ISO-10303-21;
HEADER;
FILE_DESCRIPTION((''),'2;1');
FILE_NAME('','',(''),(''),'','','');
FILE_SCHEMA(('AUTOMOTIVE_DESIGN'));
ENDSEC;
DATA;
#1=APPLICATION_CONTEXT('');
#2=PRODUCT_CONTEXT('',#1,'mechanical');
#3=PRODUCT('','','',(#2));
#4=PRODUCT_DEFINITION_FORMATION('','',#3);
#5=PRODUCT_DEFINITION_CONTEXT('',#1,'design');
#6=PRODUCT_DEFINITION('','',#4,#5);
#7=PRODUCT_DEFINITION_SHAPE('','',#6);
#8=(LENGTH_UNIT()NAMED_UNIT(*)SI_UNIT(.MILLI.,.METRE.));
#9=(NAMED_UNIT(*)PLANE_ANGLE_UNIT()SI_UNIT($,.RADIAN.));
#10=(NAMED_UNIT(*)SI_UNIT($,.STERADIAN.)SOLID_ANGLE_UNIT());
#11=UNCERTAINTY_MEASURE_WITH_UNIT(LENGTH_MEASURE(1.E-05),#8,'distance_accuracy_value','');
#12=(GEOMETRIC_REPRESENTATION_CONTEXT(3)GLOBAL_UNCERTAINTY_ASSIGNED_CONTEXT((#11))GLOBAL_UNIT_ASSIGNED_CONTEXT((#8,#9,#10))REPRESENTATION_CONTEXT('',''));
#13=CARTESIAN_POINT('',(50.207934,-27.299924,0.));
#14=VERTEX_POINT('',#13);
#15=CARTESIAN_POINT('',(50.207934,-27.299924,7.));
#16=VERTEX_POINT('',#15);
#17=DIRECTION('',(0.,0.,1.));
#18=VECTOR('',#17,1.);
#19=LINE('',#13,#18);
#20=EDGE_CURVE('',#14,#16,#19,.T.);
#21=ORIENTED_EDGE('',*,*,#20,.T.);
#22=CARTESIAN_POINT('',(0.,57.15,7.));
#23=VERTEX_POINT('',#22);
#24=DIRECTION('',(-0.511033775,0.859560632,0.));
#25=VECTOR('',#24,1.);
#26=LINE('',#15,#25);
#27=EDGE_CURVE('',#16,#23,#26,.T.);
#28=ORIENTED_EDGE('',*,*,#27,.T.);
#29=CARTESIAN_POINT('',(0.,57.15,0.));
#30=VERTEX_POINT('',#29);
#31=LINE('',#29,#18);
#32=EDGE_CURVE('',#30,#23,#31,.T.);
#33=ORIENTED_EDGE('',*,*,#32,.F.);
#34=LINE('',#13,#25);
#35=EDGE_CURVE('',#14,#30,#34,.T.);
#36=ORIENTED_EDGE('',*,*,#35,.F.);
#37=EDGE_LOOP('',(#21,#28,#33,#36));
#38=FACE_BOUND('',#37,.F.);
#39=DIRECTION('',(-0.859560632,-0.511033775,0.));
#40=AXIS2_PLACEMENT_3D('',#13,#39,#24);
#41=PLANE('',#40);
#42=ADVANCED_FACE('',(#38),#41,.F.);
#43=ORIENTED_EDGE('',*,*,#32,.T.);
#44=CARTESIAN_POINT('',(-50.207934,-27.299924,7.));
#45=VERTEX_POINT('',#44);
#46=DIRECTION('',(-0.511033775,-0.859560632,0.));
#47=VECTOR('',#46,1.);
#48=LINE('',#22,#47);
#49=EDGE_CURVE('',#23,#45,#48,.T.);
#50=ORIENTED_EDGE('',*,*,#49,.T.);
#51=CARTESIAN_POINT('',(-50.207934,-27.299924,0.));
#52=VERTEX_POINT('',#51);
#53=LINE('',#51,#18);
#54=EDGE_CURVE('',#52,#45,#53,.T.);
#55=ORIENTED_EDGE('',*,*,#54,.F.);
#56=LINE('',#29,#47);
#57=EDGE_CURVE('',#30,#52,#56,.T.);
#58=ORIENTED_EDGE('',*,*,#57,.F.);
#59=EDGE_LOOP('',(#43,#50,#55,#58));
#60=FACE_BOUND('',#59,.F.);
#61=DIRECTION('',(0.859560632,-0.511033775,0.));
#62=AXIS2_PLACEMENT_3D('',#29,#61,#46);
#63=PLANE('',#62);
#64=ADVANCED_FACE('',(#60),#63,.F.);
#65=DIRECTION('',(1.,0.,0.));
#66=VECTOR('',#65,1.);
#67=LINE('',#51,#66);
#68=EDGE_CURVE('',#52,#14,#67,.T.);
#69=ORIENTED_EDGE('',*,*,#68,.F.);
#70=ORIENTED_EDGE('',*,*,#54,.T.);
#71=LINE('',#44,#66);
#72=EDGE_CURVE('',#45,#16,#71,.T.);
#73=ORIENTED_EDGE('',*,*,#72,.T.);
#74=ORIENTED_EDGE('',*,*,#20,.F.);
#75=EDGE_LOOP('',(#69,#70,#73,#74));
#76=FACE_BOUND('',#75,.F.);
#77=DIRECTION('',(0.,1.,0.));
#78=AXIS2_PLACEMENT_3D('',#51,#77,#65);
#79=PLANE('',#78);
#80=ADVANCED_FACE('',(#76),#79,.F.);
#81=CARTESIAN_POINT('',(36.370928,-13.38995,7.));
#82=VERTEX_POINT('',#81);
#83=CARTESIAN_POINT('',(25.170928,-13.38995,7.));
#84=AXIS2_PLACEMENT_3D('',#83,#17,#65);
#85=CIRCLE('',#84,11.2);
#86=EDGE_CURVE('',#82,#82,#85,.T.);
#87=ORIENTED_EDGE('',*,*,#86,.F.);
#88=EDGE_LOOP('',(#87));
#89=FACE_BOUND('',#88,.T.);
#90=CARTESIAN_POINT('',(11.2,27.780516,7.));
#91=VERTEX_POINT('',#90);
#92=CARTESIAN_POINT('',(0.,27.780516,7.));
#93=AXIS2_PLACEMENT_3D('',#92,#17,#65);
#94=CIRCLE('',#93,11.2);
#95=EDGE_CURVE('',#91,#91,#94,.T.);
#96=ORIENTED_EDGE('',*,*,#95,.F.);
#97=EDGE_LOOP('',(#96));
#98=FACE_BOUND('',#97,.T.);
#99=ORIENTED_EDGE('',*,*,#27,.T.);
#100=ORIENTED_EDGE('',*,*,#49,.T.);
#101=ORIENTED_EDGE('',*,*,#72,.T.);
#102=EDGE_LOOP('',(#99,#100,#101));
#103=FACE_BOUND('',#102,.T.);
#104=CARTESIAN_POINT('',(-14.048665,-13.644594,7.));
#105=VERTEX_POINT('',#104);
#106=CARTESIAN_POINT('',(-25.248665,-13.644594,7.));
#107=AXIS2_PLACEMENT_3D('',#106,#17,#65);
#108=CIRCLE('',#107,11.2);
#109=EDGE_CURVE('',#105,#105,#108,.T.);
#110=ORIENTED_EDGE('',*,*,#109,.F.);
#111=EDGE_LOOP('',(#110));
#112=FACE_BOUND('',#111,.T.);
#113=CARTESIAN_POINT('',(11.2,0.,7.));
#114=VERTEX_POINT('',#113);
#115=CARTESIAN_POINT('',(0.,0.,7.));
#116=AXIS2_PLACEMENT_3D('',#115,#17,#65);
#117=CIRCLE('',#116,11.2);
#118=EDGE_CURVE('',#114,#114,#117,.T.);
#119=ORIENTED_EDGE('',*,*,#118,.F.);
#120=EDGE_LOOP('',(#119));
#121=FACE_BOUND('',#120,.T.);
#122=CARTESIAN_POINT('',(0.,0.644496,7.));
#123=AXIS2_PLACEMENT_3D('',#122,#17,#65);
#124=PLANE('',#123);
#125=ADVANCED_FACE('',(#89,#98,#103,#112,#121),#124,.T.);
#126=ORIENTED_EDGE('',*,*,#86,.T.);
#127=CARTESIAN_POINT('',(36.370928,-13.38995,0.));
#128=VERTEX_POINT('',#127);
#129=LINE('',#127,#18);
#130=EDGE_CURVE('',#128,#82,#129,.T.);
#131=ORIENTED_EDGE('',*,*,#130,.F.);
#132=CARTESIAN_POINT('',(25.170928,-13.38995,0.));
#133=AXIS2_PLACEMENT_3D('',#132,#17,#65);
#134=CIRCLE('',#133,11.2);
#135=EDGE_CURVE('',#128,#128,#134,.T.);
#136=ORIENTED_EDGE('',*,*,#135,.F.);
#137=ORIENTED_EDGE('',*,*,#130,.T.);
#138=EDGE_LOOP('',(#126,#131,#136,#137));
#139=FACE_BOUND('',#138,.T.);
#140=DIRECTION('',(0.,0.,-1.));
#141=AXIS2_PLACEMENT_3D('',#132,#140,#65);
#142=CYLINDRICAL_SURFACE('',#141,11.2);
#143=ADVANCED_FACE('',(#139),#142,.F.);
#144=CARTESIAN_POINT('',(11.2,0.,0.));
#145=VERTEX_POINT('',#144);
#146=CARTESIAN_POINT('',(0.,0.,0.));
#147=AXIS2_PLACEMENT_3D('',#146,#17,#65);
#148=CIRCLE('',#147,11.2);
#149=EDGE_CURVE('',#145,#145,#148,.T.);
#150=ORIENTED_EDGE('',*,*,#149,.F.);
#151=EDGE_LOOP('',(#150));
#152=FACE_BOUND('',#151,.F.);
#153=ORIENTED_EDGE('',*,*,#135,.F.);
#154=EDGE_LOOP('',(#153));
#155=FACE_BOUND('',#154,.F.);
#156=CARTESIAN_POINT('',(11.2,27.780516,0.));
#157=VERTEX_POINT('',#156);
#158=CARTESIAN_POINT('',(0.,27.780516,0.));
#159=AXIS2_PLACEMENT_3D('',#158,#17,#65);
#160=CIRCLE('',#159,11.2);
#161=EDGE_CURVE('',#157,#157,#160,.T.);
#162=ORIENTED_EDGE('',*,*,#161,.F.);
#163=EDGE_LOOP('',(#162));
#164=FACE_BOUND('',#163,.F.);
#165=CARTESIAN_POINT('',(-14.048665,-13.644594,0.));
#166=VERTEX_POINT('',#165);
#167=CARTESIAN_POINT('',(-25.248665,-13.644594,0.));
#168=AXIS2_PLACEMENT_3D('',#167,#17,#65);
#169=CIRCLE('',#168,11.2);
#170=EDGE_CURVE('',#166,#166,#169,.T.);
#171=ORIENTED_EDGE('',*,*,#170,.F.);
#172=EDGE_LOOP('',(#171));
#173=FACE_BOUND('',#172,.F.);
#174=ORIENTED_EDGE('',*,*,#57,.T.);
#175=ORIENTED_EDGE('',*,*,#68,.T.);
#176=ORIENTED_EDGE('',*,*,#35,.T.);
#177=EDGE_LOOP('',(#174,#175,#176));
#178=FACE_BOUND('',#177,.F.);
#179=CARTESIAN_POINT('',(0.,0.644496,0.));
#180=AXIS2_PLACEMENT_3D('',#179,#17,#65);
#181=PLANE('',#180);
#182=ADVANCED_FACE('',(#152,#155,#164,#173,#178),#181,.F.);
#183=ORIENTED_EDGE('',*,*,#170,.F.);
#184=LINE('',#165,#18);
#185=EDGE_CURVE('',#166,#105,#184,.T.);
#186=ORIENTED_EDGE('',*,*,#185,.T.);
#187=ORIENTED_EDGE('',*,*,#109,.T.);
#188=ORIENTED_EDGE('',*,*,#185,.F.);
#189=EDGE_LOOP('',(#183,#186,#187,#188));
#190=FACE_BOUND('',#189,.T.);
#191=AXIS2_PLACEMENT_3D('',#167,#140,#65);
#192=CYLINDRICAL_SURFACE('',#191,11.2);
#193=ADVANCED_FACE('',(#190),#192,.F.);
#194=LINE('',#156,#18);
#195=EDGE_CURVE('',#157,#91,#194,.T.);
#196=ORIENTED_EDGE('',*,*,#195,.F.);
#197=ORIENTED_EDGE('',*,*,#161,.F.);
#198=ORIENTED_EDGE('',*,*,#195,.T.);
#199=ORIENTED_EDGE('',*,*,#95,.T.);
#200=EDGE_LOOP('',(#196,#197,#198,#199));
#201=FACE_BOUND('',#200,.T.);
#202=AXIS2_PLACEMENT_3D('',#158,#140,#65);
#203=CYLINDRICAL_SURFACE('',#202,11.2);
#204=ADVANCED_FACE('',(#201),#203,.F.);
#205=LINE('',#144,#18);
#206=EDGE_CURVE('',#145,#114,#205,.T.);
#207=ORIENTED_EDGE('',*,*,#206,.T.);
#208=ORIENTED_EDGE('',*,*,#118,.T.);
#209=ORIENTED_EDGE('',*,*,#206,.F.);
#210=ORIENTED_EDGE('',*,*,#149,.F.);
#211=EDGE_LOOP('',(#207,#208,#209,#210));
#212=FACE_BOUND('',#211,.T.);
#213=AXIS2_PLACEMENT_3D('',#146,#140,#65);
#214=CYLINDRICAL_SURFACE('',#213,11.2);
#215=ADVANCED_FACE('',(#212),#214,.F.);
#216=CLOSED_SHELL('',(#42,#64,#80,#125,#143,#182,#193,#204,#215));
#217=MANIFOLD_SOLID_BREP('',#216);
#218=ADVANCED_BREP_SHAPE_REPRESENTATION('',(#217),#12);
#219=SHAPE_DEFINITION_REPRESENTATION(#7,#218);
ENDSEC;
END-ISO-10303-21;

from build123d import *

# Parameters (mm, degrees)
F0_R     = 11.2
F1_DEPTH = 7


with BuildPart() as f1:
    # F0 (on Top) → F1 (new body)
    with BuildSketch(Plane.XY):
        Polygon((50.207934, -27.299924), (0, 57.15), (-50.207934, -27.299924), align=None)
        with Locations((-25.248665, -13.644594)):
            Circle(F0_R, mode=Mode.SUBTRACT)
        with Locations((25.170928, -13.38995)):
            Circle(F0_R, mode=Mode.SUBTRACT)
        Circle(F0_R, mode=Mode.SUBTRACT)
        with Locations((0, 27.780516)):
            Circle(F0_R, mode=Mode.SUBTRACT)
    extrude(amount=F1_DEPTH)


solid = f1.part
